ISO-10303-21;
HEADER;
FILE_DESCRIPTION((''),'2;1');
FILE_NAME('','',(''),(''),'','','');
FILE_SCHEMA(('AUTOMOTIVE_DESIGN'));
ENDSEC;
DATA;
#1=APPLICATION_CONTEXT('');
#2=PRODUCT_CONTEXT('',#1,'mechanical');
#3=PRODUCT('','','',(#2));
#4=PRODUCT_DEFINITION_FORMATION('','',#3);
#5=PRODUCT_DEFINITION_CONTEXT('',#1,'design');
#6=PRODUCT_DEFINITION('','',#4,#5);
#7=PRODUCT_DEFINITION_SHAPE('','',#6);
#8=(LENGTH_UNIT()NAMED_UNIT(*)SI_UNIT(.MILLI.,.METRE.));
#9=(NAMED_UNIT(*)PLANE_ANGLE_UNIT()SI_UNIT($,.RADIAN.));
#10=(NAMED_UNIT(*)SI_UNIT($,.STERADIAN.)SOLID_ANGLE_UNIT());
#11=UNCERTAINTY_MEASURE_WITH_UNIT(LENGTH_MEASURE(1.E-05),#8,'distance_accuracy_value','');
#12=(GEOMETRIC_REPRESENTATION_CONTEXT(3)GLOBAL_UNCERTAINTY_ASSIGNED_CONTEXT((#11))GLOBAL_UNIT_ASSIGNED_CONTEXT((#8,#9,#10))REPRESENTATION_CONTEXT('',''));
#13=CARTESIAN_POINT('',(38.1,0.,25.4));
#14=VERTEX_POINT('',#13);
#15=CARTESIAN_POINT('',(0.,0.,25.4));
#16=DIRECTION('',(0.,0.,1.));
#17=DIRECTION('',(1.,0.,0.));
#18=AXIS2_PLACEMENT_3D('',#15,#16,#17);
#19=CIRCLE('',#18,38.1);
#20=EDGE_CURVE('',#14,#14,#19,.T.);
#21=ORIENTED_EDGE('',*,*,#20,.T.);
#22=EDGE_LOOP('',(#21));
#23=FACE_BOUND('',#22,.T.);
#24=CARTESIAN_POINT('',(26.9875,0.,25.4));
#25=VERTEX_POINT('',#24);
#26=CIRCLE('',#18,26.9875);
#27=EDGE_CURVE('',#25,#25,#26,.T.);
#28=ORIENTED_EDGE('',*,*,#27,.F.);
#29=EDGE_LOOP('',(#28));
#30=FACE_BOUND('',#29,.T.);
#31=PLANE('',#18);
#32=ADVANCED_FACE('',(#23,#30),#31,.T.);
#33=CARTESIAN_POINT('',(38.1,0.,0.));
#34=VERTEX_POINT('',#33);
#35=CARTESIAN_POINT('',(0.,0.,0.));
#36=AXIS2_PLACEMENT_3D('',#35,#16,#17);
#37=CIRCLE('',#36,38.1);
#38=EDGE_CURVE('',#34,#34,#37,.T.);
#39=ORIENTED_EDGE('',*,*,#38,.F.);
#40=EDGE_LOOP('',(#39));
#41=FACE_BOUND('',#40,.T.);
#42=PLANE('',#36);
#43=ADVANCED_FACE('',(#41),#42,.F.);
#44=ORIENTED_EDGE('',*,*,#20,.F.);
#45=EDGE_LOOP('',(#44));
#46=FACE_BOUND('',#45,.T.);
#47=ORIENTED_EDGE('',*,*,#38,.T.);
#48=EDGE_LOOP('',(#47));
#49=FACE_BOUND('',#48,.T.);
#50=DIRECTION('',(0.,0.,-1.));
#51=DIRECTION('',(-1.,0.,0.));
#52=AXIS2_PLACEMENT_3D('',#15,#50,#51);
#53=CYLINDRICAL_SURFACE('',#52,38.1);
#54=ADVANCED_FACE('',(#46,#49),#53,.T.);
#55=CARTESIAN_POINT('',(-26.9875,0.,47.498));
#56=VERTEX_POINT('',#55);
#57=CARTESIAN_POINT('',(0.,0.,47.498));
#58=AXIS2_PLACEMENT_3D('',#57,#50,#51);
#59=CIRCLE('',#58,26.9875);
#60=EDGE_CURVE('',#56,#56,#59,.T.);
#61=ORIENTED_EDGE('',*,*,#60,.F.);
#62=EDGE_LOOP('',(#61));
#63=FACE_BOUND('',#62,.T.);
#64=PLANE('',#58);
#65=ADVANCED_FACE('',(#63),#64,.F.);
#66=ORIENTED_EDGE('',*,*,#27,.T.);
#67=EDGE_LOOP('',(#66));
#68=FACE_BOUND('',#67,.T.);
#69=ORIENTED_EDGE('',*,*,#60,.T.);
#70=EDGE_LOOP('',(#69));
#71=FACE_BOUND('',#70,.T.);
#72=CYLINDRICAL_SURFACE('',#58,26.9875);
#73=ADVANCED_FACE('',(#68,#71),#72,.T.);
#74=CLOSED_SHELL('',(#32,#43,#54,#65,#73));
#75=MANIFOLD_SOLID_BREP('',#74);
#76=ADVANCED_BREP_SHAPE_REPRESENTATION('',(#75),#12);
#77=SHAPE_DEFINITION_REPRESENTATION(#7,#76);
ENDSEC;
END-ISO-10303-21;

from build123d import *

# Parameters (mm, degrees)
SKETCH1_R           = 38.1
SKETCH1_R_2         = 9.525
BOSS_EXTRUDE1_DEPTH = 25.4
SKETCH2_R           = 26.9875
BOSS_EXTRUDE3_DEPTH = 47.498


with BuildPart() as part:
    # Sketch1 → Boss-Extrude1 (new body)
    with BuildSketch(Plane.XY):
        Circle(SKETCH1_R)
        Circle(SKETCH1_R_2, mode=Mode.SUBTRACT)
    extrude(amount=BOSS_EXTRUDE1_DEPTH)

    # Sketch2 → Boss-Extrude3 (add)
    with BuildSketch(Plane(origin=(0, 0, 0), x_dir=(-1, 0, 0), z_dir=(0, 0, -1))):
        Circle(SKETCH2_R)
    extrude(amount=-BOSS_EXTRUDE3_DEPTH)


solid = part.part
